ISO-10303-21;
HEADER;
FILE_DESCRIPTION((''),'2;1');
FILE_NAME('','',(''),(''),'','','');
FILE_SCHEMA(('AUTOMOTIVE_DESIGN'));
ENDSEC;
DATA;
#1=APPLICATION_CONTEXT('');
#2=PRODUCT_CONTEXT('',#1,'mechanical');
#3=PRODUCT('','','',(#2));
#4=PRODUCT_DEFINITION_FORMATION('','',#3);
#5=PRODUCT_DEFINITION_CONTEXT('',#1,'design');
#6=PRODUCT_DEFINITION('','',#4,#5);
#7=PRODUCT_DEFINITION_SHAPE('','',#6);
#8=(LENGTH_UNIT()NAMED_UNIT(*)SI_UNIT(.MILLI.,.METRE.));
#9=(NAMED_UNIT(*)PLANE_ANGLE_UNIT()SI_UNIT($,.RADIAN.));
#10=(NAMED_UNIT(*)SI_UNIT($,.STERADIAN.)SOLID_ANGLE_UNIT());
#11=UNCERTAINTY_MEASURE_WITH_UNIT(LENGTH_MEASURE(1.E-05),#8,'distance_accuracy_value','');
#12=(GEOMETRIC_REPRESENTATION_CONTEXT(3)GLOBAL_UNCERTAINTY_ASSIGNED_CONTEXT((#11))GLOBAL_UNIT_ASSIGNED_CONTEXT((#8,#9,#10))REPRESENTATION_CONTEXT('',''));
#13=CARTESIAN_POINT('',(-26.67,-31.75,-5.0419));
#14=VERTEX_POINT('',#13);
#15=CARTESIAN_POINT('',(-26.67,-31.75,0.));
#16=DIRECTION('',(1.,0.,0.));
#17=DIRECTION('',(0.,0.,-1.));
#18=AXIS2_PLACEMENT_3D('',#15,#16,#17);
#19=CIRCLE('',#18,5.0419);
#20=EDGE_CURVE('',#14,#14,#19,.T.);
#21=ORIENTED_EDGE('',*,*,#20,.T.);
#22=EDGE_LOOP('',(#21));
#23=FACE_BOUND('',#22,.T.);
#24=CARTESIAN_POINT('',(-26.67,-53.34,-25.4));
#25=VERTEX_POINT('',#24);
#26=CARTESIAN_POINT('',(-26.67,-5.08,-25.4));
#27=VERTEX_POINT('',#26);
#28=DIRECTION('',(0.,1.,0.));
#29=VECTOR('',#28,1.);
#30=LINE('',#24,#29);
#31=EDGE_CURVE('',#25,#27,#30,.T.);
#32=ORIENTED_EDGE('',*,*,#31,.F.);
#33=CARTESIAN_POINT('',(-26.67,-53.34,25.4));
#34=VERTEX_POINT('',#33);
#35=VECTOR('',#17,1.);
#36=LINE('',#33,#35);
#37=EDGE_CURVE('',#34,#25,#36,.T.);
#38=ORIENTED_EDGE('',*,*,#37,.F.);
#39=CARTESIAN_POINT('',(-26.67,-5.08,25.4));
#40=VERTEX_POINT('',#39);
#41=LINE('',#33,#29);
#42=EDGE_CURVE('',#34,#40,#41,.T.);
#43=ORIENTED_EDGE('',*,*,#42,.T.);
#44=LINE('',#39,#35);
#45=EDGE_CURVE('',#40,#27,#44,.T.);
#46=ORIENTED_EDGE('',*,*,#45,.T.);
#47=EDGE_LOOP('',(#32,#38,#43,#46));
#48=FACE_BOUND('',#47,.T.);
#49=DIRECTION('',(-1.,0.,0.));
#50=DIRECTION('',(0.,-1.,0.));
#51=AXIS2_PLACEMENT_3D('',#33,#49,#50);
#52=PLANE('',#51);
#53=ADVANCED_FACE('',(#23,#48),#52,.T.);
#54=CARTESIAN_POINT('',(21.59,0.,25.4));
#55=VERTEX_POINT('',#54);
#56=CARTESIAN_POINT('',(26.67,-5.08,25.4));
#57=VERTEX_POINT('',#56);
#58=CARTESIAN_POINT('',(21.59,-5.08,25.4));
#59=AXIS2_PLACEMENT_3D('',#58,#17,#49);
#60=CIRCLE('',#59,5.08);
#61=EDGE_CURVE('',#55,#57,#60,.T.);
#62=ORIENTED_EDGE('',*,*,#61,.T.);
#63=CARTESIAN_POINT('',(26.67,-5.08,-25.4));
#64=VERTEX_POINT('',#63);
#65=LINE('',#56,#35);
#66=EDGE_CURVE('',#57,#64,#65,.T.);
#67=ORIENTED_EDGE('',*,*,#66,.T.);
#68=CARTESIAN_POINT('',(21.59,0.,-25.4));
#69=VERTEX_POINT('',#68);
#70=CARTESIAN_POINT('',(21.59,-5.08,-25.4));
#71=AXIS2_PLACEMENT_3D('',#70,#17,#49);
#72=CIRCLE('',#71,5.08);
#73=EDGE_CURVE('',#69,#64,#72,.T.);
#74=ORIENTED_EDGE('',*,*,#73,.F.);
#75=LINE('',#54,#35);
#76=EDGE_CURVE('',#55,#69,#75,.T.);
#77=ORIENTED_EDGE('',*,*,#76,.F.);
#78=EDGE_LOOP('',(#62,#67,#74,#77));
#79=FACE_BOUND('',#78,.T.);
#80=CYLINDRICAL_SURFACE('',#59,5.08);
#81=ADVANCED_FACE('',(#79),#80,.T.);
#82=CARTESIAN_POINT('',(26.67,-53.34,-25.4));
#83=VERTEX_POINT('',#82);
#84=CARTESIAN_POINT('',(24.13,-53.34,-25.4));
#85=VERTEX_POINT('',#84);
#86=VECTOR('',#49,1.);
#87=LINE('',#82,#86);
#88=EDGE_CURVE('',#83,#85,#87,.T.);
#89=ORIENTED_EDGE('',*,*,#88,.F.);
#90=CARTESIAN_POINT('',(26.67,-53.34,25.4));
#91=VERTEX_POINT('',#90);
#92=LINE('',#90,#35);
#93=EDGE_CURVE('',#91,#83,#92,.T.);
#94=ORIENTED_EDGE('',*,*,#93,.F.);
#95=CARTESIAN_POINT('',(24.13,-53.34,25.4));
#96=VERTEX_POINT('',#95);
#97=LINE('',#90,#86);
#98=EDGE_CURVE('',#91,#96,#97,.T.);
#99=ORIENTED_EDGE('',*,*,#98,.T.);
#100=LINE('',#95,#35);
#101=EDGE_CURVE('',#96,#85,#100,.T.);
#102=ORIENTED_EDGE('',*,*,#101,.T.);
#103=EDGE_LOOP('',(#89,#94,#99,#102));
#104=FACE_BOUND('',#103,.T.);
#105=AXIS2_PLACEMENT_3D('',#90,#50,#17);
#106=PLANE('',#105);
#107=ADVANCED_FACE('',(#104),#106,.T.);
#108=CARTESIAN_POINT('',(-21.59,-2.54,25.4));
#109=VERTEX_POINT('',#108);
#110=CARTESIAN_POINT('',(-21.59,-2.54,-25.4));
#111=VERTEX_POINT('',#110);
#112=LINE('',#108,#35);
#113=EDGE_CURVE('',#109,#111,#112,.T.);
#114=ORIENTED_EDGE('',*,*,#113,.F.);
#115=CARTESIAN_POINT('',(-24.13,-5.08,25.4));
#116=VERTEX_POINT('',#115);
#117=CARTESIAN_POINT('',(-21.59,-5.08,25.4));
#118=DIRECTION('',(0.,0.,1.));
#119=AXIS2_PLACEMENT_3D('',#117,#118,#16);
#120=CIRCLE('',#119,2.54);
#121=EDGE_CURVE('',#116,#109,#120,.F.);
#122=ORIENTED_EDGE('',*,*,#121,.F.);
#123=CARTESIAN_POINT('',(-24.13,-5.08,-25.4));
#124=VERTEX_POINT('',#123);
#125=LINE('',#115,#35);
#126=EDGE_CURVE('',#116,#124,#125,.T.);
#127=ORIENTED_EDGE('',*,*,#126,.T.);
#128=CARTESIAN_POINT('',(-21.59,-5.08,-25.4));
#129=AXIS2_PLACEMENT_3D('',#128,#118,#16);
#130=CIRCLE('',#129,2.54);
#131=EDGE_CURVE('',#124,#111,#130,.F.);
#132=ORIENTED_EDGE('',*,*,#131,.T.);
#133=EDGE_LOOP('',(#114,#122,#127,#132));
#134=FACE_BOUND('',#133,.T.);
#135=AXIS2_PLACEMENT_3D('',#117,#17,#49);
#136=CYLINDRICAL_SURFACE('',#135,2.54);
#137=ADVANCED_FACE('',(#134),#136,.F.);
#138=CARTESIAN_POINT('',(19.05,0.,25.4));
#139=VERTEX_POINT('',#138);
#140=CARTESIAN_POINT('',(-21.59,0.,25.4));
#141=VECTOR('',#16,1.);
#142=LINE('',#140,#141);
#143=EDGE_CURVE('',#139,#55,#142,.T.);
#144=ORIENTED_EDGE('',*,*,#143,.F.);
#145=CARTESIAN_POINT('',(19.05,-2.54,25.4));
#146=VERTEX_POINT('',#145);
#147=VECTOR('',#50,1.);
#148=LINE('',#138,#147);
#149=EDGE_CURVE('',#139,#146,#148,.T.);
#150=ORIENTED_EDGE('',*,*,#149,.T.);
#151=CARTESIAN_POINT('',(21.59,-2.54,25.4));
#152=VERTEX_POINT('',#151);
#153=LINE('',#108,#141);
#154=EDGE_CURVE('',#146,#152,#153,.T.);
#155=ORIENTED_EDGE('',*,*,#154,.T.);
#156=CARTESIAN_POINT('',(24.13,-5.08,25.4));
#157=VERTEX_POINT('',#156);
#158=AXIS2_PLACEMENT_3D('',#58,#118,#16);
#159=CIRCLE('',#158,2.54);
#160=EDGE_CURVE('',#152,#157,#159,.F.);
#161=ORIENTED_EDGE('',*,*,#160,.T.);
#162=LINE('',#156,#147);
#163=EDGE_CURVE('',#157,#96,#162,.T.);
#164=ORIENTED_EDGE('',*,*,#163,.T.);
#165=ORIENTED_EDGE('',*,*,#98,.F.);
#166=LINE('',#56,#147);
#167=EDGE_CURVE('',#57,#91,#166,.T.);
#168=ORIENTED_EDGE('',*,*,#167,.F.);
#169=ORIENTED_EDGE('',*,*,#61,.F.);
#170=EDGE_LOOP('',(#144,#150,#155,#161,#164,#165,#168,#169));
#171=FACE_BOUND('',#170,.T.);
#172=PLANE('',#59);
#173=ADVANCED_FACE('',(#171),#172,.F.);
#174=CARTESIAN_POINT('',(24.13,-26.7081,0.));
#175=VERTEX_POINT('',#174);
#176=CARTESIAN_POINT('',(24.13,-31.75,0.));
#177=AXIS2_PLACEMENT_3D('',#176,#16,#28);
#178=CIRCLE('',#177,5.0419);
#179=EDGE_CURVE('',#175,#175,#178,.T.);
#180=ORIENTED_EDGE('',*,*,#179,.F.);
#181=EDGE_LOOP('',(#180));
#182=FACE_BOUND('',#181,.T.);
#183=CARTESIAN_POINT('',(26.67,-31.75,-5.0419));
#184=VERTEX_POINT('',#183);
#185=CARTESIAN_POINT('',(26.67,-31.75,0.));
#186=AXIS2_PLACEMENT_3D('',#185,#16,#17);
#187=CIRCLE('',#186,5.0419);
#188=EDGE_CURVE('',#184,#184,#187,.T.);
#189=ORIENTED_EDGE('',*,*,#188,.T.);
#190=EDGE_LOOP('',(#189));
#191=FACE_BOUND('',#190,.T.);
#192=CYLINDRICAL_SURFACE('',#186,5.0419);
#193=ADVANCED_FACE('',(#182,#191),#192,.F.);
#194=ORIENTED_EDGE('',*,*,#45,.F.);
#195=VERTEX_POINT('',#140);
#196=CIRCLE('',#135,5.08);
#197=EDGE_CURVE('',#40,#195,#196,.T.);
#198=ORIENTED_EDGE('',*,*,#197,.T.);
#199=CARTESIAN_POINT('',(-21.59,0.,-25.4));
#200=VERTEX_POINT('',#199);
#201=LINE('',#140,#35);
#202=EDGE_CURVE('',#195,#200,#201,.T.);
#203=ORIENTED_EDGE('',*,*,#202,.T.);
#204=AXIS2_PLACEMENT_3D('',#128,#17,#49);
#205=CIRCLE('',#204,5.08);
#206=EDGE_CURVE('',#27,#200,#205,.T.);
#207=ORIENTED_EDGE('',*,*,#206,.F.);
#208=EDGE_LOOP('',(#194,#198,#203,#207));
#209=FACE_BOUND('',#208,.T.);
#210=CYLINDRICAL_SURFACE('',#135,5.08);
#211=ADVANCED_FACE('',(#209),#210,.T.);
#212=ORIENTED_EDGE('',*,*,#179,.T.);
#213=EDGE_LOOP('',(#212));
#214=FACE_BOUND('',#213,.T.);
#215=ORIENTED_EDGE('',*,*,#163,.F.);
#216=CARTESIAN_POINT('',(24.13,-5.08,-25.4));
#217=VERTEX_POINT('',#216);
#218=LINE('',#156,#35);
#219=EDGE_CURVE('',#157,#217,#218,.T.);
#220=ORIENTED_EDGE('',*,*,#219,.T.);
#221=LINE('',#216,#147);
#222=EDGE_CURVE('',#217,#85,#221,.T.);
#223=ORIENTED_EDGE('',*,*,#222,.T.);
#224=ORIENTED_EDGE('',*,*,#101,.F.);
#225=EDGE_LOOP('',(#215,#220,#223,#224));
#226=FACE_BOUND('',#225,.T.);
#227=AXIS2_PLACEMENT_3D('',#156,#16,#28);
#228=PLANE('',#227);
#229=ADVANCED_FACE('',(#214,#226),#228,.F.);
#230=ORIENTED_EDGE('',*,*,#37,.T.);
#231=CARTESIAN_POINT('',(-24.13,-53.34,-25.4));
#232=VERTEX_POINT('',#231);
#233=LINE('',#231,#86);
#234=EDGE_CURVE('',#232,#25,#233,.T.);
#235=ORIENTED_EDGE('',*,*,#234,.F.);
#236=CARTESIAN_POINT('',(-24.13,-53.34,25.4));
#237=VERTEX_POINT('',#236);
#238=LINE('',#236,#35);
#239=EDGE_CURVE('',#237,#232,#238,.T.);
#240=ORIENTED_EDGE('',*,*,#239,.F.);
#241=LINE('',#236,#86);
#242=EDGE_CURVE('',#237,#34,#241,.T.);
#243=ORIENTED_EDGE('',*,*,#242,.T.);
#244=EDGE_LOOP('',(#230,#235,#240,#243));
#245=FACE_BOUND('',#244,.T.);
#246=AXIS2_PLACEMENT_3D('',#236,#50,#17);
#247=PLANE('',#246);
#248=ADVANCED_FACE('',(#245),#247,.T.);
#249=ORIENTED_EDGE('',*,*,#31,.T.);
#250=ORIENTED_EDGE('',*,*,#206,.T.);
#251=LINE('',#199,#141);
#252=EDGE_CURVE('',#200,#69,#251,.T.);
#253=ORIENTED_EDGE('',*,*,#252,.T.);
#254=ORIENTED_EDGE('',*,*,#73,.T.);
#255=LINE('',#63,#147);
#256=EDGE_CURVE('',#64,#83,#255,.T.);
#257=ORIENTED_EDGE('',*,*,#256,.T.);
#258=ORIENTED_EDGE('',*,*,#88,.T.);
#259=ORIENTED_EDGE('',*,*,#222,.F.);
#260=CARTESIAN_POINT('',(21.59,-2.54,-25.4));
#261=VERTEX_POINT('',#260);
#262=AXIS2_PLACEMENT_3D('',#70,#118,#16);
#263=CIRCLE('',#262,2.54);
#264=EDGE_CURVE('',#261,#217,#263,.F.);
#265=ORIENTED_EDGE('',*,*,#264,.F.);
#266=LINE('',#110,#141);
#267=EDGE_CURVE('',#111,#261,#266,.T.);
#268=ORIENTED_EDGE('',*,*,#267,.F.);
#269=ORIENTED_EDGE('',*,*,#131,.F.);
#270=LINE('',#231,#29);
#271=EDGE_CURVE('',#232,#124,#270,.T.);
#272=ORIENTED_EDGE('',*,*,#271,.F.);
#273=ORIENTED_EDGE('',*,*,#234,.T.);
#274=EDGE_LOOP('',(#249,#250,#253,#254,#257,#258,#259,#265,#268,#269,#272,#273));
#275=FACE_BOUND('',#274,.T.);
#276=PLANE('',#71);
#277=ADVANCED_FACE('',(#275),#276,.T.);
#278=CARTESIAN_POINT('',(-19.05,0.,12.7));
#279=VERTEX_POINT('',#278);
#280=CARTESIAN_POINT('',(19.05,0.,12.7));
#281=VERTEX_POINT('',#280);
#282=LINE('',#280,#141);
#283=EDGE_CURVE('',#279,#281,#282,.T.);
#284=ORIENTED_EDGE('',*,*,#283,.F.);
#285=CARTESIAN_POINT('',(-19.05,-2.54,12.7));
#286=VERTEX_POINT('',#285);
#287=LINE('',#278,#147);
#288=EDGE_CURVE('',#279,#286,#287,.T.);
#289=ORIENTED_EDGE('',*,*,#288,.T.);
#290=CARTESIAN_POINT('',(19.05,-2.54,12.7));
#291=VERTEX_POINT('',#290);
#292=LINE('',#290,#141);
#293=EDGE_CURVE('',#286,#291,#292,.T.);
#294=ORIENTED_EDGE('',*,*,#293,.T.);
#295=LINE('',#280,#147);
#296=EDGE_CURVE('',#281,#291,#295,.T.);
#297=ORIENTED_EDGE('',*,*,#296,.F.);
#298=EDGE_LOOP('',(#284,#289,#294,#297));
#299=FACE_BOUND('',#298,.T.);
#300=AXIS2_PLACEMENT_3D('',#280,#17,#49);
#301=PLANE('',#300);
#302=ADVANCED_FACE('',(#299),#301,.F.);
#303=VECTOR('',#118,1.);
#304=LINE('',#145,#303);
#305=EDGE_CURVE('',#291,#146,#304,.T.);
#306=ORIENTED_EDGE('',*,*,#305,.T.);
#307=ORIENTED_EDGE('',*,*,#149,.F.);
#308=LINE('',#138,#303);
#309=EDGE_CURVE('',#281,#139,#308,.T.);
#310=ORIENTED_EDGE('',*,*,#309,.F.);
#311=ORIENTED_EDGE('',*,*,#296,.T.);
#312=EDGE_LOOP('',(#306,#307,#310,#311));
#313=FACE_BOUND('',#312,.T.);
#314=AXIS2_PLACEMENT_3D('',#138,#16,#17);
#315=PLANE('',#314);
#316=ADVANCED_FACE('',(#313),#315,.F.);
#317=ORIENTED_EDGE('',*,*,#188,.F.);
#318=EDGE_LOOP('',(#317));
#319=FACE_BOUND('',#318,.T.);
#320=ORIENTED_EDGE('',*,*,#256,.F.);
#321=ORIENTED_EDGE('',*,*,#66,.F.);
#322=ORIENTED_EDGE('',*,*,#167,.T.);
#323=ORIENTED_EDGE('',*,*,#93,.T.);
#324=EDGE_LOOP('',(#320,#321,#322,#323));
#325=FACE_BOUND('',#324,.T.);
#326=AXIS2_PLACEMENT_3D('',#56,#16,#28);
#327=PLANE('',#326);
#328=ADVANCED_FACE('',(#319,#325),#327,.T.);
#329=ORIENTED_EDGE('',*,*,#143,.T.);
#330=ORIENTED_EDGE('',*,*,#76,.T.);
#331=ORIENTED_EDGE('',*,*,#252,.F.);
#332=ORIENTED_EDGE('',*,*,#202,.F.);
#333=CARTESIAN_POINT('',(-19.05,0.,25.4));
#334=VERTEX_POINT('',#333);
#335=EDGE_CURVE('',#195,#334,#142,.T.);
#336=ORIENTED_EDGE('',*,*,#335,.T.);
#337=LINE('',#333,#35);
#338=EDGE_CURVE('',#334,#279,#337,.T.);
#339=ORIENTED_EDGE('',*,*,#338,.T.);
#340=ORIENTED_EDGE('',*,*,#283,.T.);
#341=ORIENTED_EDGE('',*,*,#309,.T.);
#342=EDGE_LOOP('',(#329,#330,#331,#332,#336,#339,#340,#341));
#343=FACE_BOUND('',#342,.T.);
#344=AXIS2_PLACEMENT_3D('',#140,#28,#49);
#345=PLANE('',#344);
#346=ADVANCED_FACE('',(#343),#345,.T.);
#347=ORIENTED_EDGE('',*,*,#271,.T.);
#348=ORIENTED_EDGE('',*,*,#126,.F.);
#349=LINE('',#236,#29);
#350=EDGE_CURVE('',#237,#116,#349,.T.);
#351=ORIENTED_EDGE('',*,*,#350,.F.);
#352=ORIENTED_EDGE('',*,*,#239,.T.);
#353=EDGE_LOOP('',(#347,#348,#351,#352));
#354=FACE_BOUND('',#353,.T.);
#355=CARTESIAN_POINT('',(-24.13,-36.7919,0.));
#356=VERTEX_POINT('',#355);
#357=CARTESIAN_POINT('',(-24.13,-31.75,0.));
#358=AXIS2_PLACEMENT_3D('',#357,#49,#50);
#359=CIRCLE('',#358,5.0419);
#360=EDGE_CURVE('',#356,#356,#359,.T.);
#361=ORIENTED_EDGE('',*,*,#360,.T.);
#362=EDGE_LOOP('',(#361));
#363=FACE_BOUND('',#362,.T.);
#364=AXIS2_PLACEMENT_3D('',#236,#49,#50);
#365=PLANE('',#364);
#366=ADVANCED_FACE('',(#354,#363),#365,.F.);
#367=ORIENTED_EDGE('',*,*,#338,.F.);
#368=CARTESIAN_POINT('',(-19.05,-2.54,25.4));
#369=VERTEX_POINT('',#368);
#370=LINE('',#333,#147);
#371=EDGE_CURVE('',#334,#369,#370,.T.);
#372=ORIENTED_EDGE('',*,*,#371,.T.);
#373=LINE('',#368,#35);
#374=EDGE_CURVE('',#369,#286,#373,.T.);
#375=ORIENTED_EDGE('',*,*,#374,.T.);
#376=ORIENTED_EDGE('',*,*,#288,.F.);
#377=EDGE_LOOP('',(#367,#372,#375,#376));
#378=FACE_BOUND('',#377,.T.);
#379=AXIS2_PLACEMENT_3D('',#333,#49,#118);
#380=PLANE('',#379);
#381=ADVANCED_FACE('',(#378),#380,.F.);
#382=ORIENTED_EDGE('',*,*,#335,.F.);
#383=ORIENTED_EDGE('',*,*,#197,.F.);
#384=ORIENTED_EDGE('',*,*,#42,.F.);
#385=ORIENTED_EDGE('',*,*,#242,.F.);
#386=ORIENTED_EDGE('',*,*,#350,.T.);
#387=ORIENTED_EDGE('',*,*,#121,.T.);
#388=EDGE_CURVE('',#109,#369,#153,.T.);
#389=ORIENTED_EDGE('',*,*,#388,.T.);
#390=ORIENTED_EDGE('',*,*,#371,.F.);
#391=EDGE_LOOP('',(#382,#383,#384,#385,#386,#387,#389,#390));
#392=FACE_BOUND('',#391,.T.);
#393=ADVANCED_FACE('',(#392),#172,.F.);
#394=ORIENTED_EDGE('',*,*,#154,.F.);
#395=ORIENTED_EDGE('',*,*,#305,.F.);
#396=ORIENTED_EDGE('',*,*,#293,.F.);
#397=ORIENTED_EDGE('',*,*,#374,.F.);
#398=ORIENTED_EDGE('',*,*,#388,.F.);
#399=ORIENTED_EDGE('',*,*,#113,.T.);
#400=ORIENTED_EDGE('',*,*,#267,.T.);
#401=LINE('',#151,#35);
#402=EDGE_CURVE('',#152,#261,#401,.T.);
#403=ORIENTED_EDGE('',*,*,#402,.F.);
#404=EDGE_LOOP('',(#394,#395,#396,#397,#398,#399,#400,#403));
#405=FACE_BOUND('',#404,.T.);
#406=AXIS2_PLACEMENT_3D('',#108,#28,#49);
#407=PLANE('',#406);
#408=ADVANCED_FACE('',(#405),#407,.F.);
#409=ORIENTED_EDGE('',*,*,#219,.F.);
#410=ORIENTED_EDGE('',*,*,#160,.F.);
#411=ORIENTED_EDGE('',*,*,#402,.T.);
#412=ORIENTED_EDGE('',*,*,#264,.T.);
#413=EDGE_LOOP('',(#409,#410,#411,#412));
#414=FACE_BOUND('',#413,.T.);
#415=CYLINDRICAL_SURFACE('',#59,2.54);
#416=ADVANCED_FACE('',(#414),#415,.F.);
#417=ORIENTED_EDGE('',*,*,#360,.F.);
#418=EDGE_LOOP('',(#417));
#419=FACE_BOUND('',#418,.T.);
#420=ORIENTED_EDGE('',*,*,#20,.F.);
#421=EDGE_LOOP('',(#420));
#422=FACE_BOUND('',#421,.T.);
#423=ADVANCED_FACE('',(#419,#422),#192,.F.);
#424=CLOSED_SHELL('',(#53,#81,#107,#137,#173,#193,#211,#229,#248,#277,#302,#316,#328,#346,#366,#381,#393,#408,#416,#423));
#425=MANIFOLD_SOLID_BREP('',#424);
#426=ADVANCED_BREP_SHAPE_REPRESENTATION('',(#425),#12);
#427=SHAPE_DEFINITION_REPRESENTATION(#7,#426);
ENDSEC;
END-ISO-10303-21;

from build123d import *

# Parameters (mm, degrees)
EXTRUDE_THIN1_DEPTH     = 25.4
F_3_8_CLEARANCE_HOLE1_D = 10.0838
SKETCH4_W               = 38.1
SKETCH4_H               = 12.7
CUT_EXTRUDE1_DEPTH      = 3.54


with BuildPart() as part:
    # Sketch1 → Extrude-Thin1 (new body, symmetric)
    with BuildSketch(Plane.XY):
        with BuildLine():
            Line((-26.67, -53.34), (-26.67, -5.08))
            ThreePointArc((-26.67, -5.08), (-25.182102448, -1.487897552), (-21.59, 0))
            Line((-21.59, 0), (21.59, 0))
            ThreePointArc((21.59, 0), (25.182102448, -1.487897552), (26.67, -5.08))
            Line((26.67, -5.08), (26.67, -53.34))
            Line((26.67, -53.34), (24.13, -53.34))
            Line((24.13, -53.34), (24.13, -5.08))
            ThreePointArc((24.13, -5.08), (23.386051224, -3.283948776), (21.59, -2.54))
            Line((21.59, -2.54), (-21.59, -2.54))
            ThreePointArc((-21.59, -2.54), (-23.386051224, -3.283948776), (-24.13, -5.08))
            Line((-24.13, -5.08), (-24.13, -53.34))
            Line((-24.13, -53.34), (-26.67, -53.34))
        make_face()
    extrude(amount=EXTRUDE_THIN1_DEPTH, both=True)

    # 3/8 Clearance Hole1 (through all)
    with Locations(Plane(origin=(26.67, 0, 0), x_dir=(0, 0, -1), z_dir=(1, 0, 0))):
        with Locations((0, -31.75)):
            Hole(F_3_8_CLEARANCE_HOLE1_D / 2)

    # Sketch4 → Cut-Extrude1 (cut, through all)
    with BuildSketch(Plane.XZ.offset(2.54)):
        with Locations((0, 19.05)):
            Rectangle(SKETCH4_W, SKETCH4_H)
    extrude(amount=-CUT_EXTRUDE1_DEPTH, mode=Mode.SUBTRACT)


solid = part.part
